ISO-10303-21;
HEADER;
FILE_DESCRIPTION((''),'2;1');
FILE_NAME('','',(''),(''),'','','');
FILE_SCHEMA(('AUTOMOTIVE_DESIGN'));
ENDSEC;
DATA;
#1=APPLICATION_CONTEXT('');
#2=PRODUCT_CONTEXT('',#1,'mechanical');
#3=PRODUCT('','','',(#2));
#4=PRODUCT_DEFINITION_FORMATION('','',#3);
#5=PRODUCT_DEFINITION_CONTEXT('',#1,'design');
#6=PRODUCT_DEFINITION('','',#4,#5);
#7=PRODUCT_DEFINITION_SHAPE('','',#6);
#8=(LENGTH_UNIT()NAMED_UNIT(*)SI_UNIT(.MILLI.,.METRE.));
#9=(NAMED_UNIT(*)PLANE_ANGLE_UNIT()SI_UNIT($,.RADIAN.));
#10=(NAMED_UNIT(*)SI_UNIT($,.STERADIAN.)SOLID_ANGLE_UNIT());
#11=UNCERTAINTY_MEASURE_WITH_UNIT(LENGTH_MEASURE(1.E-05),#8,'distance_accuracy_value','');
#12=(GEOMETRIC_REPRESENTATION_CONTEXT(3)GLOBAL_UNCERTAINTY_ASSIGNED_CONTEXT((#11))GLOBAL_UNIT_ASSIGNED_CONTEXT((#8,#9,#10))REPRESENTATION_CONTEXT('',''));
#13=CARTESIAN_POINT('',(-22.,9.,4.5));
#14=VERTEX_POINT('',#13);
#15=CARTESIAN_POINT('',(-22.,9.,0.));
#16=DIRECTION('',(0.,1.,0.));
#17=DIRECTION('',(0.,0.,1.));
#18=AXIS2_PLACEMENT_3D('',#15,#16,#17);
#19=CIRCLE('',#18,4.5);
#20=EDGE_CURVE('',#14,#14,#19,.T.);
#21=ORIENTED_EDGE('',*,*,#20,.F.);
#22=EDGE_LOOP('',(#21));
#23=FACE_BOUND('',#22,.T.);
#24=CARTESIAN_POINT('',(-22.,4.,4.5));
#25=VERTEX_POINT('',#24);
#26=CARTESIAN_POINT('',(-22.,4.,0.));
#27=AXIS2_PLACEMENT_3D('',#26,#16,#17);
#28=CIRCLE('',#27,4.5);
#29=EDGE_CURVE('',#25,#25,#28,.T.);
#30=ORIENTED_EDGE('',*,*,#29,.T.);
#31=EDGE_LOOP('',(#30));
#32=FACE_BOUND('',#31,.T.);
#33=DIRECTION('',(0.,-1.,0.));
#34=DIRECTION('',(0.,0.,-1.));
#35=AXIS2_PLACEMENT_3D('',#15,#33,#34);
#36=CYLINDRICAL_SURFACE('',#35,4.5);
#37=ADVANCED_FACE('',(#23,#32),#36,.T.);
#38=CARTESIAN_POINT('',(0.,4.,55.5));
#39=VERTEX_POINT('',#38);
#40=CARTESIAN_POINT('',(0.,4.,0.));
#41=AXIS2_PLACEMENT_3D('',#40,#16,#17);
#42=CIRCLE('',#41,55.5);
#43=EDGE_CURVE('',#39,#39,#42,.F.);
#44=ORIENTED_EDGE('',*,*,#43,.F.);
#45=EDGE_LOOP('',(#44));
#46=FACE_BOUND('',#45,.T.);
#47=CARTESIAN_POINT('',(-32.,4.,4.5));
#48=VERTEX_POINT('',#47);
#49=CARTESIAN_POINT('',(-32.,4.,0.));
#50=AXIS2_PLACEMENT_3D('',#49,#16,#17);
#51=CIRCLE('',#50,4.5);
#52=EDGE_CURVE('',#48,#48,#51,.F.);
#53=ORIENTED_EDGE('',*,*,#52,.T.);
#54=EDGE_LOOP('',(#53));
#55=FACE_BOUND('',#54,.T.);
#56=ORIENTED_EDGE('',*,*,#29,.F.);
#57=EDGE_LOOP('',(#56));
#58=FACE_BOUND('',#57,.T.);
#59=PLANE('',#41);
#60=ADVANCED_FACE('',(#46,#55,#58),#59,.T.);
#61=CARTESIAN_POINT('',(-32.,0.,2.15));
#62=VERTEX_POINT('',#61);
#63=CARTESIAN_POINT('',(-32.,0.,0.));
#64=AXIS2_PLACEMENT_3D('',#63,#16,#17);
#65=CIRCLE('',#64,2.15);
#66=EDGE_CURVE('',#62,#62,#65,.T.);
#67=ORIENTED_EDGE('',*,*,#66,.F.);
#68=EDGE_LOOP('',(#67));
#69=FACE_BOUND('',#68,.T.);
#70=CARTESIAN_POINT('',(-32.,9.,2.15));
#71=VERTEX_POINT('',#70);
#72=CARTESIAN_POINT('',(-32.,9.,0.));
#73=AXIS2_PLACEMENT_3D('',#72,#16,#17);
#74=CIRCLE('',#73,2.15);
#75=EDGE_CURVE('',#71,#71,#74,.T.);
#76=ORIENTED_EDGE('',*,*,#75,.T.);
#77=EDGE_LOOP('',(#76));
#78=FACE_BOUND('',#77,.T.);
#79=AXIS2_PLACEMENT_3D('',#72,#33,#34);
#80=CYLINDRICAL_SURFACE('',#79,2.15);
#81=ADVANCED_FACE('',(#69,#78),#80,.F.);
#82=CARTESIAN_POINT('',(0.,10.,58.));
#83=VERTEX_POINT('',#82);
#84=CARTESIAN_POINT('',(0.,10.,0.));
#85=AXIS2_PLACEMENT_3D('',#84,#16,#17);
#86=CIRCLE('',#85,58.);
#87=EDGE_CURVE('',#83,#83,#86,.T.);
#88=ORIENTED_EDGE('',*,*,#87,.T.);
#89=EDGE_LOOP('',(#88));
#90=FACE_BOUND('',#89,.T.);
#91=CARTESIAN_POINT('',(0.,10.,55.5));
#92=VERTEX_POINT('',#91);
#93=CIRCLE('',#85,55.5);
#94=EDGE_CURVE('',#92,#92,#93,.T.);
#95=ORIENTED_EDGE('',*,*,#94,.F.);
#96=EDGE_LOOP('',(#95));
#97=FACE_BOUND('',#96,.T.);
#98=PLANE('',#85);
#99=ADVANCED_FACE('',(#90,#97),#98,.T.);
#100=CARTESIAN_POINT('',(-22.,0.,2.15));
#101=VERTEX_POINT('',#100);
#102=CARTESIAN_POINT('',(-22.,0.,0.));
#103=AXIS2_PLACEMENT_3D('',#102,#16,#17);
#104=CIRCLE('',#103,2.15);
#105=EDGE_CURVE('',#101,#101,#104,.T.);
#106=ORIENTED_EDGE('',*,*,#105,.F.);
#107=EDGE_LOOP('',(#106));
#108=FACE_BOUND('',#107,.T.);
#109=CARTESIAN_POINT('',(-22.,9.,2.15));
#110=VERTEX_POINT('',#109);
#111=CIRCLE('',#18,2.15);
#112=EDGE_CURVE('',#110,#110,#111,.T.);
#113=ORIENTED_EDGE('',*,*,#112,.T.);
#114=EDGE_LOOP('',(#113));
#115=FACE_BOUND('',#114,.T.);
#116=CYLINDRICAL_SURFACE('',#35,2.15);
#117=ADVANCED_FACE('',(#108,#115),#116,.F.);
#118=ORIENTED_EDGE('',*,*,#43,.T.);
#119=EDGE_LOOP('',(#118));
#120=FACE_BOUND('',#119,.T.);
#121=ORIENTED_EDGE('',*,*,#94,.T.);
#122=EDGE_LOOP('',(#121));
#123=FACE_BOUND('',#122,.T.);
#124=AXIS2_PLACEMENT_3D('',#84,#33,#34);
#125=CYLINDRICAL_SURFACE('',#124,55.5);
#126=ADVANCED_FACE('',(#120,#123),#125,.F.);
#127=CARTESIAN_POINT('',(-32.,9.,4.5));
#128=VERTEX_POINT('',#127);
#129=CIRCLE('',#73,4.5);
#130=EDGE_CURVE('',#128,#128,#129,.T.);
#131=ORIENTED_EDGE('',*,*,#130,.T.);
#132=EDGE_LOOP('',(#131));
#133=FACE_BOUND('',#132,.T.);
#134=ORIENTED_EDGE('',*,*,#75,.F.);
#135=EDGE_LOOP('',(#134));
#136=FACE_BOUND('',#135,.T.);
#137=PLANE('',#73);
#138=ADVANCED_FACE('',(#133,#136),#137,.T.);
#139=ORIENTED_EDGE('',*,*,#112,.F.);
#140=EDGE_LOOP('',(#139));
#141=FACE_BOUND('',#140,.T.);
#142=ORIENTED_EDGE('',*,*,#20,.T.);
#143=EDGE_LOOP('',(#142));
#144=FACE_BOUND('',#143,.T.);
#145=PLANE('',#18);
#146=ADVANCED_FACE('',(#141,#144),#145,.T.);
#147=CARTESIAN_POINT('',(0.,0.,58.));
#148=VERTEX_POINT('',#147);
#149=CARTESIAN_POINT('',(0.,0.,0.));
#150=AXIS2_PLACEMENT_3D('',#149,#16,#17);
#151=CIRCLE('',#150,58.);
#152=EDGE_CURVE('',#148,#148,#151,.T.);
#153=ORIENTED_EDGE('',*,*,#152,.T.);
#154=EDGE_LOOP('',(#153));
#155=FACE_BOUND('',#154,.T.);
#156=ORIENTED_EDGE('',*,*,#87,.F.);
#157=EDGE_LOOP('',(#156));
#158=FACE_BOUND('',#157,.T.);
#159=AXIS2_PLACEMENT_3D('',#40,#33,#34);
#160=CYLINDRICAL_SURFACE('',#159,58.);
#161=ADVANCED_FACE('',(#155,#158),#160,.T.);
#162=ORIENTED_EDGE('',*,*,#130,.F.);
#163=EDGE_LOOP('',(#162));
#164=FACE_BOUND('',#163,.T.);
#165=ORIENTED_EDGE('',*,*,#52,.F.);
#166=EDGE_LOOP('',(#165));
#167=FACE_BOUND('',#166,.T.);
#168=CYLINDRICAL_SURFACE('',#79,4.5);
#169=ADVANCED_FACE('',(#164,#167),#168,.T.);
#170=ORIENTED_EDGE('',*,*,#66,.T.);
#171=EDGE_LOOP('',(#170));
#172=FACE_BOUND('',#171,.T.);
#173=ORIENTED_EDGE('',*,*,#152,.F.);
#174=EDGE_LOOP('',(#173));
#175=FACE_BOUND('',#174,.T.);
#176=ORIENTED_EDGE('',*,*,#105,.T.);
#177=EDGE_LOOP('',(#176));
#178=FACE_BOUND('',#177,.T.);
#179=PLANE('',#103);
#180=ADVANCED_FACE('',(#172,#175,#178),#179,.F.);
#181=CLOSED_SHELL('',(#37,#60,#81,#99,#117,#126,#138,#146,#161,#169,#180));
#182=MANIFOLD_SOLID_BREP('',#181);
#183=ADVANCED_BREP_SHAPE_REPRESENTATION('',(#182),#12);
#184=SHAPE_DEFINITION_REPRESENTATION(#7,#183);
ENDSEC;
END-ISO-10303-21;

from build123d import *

# Parameters (mm, degrees)
SKETCH_1_R                       = 4.5
MOVING_POST_A_DEPTH              = 9
SKETCH_2_R                       = 58
CUP_PLATE_D116_T4_DEPTH          = 4
SKETCH_3_R                       = 4.5
MOVING_POST_B_DEPTH              = 9
SKETCH_4_R                       = 58
SKETCH_4_R_2                     = 55.5
DRIP_SKIRT_OD116_ID111_H10_DEPTH = 10
SKETCH_5_R                       = 2.15
M4_MOVING_MOUNT_CLEARANCE_DEPTH  = 9


with BuildPart() as part:
    # 草图1 → Moving_post_A (new body)
    with BuildSketch(Plane(origin=(0, 0, 0), x_dir=(1, 0, 0), z_dir=(0, 1, 0))):
        with Locations(Location((-22, 0, 0), (0, 0, 270))):
            Circle(SKETCH_1_R)
    extrude(amount=MOVING_POST_A_DEPTH)

    # 草图2 → Cup_plate_D116_T4 (add)
    with BuildSketch(Plane(origin=(0, 0, 0), x_dir=(1, 0, 0), z_dir=(0, 1, 0))):
        with Locations(Location((0, 0, 0), (0, 0, 270))):
            Circle(SKETCH_2_R)
    extrude(amount=CUP_PLATE_D116_T4_DEPTH)

    # 草图3 → Moving_post_B (add)
    with BuildSketch(Plane(origin=(0, 0, 0), x_dir=(1, 0, 0), z_dir=(0, 1, 0))):
        with Locations(Location((-32, 0, 0), (0, 0, 270))):
            Circle(SKETCH_3_R)
    extrude(amount=MOVING_POST_B_DEPTH)

    # 草图4 → Drip_skirt_OD116_ID111_H10 (add)
    with BuildSketch(Plane(origin=(0, 0, 0), x_dir=(1, 0, 0), z_dir=(0, 1, 0))):
        with Locations(Location((0, 0, 0), (0, 0, 270))):
            Circle(SKETCH_4_R)
        with Locations(Location((0, 0, 0), (0, 0, 270))):
            Circle(SKETCH_4_R_2, mode=Mode.SUBTRACT)
    extrude(amount=DRIP_SKIRT_OD116_ID111_H10_DEPTH)

    # 草图5 → M4_moving_mount_clearance (cut)
    with BuildSketch(Plane(origin=(0, 0, 0), x_dir=(1, 0, 0), z_dir=(0, 1, 0))):
        with Locations(Location((-22, 0, 0), (0, 0, 270))):
            Circle(SKETCH_5_R)
        with Locations(Location((-32, 0, 0), (0, 0, 270))):
            Circle(SKETCH_5_R)
    extrude(amount=M4_MOVING_MOUNT_CLEARANCE_DEPTH, mode=Mode.SUBTRACT)


solid = part.part
